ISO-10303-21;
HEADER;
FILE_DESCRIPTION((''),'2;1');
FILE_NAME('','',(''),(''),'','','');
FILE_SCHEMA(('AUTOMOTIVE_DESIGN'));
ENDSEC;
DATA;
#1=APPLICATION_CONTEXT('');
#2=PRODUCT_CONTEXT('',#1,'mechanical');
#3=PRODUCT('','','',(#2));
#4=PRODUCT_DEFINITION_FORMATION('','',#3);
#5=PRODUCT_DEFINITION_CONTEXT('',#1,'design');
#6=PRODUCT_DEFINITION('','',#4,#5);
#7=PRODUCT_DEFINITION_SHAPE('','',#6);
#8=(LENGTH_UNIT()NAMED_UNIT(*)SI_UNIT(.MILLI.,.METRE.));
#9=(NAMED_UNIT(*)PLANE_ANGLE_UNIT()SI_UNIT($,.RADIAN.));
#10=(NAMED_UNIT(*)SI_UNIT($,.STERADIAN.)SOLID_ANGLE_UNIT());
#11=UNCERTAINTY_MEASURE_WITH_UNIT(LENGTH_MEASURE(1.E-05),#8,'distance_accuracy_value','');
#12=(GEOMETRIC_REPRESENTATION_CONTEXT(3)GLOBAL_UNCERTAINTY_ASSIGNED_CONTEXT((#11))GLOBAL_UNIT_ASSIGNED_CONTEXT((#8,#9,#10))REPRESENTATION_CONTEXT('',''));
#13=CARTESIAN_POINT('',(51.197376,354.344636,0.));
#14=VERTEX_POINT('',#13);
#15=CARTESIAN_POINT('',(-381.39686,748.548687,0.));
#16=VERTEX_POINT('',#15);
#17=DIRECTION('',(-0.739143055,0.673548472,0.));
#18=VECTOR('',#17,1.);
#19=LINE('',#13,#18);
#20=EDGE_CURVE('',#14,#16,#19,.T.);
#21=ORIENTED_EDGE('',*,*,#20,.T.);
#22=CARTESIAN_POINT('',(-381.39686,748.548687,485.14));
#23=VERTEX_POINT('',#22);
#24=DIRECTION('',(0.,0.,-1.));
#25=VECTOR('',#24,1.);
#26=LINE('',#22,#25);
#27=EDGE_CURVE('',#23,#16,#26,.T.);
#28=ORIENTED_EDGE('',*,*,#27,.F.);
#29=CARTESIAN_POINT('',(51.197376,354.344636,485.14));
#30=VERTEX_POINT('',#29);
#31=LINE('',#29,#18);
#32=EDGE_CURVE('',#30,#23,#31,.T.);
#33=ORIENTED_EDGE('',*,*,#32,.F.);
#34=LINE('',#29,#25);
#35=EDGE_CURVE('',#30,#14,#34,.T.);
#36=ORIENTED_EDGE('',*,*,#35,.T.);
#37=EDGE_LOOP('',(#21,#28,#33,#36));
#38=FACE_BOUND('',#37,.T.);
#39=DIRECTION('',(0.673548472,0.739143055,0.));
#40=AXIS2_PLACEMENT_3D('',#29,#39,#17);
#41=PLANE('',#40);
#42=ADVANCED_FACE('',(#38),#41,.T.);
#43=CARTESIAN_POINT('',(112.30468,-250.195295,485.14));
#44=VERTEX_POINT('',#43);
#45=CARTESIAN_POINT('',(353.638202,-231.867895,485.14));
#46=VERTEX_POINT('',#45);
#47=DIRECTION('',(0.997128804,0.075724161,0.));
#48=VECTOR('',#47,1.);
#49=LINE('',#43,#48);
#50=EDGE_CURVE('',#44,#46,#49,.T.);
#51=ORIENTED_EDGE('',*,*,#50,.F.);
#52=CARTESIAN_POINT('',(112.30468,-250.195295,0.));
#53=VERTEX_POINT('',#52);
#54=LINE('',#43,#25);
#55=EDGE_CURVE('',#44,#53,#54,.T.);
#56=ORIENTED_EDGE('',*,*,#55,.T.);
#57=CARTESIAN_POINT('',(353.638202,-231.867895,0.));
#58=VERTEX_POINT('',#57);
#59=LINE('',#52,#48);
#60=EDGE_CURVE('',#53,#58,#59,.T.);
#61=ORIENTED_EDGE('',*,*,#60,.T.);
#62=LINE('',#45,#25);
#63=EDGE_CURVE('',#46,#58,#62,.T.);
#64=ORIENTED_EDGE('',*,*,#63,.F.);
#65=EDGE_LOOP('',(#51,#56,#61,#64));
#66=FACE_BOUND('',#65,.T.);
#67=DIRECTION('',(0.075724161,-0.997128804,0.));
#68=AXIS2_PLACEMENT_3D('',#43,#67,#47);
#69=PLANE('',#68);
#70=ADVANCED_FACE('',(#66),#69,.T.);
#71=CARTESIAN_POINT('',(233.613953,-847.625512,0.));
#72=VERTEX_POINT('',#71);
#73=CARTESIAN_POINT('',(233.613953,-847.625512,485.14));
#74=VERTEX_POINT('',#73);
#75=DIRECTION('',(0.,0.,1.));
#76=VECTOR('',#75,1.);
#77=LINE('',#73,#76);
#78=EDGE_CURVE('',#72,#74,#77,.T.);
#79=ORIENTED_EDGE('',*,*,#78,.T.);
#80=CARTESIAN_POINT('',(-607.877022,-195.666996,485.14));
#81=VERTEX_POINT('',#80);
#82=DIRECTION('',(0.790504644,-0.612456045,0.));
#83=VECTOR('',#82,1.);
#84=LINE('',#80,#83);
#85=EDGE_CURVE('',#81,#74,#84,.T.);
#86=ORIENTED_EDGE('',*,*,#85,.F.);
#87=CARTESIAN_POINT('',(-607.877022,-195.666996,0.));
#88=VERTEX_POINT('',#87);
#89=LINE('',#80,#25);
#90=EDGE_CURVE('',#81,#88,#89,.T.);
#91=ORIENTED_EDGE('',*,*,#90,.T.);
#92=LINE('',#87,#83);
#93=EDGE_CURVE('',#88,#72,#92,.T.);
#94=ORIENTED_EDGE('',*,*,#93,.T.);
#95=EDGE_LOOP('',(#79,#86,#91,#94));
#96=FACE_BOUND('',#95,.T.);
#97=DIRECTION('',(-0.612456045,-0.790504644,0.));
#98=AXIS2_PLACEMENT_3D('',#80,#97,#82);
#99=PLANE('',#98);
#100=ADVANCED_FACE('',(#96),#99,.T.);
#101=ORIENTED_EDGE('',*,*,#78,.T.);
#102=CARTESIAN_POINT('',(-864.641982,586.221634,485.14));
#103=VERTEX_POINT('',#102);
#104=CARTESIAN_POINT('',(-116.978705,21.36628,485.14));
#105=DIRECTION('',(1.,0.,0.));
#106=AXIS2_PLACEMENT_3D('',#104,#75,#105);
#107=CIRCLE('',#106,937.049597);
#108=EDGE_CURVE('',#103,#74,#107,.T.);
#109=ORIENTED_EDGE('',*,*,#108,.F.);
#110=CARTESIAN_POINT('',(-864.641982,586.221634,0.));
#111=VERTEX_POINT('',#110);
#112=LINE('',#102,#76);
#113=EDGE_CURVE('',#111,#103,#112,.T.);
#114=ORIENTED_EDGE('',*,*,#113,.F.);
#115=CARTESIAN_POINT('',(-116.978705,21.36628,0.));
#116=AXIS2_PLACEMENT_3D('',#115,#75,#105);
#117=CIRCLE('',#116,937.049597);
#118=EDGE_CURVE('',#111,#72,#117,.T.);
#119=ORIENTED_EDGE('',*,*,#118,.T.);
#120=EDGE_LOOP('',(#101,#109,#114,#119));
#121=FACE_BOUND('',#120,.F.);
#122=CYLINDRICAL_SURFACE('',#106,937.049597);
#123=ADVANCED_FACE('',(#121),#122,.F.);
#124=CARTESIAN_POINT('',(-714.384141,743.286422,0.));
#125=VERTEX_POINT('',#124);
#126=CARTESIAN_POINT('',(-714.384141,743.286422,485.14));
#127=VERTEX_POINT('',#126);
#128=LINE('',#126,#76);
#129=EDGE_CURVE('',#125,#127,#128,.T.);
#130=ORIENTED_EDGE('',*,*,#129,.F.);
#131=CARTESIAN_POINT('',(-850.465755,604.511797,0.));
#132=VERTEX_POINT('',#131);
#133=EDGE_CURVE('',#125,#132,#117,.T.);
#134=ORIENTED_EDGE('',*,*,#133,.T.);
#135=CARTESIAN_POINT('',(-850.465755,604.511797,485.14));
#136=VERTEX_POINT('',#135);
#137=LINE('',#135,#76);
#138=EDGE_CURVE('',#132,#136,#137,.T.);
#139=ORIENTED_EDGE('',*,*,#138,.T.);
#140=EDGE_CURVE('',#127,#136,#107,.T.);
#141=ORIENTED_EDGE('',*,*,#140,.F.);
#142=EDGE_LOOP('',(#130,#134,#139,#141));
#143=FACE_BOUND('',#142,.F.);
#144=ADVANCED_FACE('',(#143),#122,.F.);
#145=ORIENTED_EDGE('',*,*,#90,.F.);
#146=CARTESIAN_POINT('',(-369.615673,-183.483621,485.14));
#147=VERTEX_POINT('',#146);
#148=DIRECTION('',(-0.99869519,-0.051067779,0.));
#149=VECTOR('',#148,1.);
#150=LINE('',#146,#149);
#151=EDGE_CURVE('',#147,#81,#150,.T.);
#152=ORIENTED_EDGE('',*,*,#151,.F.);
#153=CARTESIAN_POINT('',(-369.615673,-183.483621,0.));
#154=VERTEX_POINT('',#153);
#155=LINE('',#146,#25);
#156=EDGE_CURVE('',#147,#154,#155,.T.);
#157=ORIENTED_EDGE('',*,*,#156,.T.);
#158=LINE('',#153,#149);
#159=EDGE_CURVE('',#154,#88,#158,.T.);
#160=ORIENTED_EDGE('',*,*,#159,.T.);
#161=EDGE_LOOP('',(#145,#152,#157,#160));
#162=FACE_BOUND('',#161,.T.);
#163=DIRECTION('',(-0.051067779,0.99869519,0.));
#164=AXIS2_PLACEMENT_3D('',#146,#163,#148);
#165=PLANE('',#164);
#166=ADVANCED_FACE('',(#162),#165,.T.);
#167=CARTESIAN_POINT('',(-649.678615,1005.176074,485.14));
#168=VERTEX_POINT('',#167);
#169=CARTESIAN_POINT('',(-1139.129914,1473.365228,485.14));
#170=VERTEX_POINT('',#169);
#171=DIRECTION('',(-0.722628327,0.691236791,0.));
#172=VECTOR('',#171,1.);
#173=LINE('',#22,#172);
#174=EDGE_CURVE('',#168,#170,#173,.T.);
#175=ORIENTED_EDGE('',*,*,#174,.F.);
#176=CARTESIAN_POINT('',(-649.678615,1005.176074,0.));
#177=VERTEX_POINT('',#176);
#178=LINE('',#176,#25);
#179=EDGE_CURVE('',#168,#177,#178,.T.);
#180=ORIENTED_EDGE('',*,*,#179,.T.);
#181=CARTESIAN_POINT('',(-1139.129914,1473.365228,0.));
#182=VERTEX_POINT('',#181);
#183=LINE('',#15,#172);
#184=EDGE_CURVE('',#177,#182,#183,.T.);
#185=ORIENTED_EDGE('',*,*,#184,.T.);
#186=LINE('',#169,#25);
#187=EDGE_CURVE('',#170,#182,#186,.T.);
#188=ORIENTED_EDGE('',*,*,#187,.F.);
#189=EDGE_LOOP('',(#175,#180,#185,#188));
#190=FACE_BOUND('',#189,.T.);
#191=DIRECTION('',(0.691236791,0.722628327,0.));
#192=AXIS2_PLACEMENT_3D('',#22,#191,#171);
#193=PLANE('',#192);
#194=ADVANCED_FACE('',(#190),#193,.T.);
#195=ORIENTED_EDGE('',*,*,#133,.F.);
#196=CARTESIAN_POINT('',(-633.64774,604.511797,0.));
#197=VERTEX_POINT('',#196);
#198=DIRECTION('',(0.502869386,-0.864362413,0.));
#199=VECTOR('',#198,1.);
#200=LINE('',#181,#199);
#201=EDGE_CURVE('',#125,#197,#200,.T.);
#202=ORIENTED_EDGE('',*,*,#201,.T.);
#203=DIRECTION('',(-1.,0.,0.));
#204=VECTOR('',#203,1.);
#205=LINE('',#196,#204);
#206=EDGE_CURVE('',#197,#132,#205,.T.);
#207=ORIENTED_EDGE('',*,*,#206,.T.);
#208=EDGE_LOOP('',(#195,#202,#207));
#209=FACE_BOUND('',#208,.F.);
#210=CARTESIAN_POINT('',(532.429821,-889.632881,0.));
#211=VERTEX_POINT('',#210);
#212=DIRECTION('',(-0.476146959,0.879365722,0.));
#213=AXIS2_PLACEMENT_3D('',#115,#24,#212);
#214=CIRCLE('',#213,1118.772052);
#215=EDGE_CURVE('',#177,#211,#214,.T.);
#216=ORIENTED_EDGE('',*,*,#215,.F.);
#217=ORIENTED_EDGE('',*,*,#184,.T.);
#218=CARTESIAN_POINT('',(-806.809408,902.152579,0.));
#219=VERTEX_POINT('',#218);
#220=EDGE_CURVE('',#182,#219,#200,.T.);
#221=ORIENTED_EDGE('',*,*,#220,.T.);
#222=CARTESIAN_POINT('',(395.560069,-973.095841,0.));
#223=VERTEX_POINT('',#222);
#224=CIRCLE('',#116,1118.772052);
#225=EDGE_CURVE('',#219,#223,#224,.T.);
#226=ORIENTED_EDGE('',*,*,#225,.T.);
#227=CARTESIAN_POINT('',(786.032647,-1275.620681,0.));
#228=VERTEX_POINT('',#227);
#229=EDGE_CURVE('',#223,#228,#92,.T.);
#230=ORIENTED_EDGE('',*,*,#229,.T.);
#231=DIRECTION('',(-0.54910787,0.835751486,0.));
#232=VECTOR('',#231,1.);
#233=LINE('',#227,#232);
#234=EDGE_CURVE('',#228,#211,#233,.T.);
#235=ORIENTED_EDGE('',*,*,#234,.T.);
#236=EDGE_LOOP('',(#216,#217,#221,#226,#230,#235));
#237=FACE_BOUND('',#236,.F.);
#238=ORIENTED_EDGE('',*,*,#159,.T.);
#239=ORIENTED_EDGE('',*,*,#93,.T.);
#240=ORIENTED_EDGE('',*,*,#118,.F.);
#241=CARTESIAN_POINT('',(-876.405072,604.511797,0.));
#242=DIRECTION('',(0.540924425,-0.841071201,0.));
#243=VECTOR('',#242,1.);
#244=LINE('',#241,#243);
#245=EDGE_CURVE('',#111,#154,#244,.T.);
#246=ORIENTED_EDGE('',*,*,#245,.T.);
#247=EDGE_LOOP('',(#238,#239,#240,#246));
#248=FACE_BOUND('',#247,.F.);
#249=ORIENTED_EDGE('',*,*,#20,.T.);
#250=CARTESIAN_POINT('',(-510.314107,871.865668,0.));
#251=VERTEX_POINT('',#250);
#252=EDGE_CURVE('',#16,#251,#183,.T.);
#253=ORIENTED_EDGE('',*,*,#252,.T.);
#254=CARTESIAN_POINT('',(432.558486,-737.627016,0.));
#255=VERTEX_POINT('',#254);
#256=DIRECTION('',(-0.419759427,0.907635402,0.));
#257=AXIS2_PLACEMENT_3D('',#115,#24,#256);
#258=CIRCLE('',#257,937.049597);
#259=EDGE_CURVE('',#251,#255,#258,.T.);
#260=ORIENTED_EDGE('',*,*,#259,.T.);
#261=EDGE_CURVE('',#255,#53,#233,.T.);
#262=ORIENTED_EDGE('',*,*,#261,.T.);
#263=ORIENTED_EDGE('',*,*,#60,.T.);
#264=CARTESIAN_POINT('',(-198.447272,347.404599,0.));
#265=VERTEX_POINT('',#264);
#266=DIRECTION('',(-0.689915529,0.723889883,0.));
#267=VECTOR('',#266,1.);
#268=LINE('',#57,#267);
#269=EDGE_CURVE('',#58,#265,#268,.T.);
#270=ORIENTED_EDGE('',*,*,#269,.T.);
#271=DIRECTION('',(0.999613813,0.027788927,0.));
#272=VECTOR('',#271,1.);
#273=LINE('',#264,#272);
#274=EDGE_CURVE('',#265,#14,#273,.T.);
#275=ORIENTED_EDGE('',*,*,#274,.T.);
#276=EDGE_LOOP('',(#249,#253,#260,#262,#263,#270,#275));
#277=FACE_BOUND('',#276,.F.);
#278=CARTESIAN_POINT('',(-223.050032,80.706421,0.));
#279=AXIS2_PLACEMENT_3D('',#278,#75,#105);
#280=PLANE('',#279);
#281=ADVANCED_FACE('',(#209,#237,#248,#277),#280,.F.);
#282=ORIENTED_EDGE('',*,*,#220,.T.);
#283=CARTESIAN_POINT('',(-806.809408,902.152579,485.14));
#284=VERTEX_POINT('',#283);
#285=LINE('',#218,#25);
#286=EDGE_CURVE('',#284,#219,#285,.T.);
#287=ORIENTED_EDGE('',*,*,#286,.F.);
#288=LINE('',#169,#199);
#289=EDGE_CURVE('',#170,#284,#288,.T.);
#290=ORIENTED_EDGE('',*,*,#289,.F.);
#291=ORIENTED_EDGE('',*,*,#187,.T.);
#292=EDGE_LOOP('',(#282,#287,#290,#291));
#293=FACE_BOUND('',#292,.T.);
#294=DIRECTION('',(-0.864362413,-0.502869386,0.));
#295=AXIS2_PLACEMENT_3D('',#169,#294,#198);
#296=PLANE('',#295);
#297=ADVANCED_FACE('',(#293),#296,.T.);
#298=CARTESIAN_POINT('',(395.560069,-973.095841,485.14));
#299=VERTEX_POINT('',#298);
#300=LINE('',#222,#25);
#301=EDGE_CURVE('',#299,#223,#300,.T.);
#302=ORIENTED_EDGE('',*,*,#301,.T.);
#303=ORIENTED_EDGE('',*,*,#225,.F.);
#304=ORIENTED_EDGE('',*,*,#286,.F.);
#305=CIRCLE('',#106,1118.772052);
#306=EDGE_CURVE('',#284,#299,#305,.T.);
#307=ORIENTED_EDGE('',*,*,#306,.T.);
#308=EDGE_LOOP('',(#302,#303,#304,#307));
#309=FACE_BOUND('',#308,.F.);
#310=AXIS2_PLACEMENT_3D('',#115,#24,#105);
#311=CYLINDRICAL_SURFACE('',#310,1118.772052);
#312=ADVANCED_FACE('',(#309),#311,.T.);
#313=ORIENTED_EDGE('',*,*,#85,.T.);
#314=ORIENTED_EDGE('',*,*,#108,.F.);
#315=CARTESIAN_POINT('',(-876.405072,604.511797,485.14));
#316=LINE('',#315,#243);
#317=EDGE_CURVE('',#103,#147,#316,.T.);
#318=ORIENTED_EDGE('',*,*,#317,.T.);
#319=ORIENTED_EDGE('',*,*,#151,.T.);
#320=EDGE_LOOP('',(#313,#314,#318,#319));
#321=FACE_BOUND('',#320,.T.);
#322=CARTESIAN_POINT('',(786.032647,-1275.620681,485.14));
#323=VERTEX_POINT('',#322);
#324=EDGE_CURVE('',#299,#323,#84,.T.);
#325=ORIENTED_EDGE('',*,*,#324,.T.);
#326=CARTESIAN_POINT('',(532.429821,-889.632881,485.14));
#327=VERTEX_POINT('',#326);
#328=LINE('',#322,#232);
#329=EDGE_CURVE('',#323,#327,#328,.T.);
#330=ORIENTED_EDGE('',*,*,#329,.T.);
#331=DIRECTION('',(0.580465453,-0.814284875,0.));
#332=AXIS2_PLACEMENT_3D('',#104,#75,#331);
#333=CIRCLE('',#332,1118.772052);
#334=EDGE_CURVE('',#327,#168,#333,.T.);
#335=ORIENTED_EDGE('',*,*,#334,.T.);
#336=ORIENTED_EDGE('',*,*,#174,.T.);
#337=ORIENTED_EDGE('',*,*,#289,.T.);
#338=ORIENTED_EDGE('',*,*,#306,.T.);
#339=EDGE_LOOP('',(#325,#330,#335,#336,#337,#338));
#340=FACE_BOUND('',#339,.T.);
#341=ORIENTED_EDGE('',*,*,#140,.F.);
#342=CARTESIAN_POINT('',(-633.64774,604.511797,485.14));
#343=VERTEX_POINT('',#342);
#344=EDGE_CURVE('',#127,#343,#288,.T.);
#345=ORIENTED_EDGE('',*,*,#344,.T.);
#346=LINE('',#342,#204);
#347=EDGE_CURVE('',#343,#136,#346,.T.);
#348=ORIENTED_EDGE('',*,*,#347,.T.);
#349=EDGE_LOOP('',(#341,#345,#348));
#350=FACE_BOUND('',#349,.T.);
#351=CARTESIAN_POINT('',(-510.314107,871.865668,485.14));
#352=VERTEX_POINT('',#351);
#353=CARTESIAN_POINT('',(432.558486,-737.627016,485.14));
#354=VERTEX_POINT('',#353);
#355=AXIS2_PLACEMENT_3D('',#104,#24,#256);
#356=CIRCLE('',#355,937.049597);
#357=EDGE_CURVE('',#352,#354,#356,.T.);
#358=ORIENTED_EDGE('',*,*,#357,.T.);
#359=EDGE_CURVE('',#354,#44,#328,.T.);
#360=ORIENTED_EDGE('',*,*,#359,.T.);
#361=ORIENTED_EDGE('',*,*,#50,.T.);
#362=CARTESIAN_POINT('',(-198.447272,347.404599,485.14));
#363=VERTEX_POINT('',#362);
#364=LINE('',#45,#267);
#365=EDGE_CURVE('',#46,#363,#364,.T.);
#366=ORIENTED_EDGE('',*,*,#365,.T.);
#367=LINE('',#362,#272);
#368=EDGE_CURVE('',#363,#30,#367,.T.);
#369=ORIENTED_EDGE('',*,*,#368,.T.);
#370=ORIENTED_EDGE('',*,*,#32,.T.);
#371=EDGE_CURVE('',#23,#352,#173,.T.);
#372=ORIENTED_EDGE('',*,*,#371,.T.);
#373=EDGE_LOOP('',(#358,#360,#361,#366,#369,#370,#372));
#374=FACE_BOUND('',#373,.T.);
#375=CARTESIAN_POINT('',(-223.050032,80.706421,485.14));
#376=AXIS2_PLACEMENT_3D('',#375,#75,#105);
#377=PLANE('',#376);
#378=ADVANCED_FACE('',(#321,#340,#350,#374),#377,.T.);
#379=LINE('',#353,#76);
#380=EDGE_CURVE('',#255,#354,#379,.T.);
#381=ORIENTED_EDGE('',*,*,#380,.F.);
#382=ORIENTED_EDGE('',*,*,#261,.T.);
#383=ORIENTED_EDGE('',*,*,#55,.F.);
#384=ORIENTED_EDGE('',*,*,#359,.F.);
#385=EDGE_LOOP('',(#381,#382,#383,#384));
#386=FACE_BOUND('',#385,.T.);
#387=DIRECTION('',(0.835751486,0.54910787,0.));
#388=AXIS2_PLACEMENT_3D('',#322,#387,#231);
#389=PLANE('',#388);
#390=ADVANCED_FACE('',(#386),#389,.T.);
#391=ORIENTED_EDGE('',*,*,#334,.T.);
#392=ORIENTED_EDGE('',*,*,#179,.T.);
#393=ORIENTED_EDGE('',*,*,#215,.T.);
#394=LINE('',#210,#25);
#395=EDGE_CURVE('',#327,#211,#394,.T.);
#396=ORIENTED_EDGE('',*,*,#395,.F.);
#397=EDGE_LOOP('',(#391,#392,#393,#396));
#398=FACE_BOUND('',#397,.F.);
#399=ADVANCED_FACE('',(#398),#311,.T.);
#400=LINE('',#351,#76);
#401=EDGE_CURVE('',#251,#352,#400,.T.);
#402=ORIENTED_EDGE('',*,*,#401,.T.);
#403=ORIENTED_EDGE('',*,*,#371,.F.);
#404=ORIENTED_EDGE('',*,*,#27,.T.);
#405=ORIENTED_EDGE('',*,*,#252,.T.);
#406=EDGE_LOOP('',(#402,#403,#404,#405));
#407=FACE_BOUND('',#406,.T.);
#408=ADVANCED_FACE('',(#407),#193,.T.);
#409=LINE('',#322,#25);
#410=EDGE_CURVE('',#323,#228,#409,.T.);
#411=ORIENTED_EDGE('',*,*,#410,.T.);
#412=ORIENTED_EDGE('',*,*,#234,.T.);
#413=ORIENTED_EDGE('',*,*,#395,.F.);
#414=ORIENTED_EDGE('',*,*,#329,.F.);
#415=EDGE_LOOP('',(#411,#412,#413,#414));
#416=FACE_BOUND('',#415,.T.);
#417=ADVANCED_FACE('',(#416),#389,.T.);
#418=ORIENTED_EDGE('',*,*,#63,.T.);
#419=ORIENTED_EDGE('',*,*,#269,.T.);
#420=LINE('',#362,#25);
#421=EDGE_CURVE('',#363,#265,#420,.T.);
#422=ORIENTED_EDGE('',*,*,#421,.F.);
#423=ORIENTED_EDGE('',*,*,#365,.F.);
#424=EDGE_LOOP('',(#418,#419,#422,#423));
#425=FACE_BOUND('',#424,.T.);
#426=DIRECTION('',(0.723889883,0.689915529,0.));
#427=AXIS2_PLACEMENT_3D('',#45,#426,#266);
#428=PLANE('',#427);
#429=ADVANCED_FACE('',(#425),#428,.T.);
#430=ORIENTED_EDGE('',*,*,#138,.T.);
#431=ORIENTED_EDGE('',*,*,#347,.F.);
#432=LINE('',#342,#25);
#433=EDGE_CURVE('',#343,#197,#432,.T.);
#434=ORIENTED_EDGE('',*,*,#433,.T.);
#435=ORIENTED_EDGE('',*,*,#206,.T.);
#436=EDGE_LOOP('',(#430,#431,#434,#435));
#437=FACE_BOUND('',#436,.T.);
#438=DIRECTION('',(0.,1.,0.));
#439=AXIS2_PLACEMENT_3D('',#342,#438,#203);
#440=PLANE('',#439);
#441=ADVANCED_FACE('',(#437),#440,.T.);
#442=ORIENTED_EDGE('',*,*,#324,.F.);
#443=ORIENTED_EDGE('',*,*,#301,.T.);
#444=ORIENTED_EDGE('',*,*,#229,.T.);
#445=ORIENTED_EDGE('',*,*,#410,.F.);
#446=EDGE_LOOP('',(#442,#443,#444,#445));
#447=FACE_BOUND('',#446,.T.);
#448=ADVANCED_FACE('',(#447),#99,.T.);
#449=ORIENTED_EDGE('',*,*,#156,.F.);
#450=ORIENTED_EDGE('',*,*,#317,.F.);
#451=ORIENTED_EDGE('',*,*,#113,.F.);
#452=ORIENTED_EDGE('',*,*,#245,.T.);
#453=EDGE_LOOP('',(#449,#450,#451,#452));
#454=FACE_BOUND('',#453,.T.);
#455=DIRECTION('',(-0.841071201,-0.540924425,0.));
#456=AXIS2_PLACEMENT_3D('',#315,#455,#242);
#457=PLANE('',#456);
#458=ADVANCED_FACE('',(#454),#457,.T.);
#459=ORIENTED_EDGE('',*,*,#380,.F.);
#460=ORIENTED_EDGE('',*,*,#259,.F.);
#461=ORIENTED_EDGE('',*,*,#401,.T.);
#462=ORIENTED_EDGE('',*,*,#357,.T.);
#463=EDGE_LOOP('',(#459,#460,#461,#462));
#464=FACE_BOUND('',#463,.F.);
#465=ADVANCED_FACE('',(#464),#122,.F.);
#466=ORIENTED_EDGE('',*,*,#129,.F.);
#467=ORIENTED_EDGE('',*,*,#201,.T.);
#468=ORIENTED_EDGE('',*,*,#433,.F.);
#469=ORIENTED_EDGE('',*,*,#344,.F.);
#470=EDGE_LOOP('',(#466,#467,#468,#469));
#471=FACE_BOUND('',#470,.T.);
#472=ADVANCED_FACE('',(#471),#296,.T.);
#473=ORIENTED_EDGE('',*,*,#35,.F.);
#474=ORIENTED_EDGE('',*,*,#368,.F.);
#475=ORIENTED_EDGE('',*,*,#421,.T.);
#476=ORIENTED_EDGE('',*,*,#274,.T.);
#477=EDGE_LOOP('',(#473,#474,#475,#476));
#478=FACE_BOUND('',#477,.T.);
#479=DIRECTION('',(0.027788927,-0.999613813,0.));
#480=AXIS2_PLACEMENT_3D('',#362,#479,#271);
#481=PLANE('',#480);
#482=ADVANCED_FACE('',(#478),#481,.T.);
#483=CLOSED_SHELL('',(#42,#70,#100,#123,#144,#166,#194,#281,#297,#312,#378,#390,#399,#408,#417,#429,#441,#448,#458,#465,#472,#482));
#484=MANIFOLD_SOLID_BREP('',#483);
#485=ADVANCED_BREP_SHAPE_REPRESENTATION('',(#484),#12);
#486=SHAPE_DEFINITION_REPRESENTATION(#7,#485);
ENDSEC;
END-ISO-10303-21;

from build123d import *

# Parameters (mm, degrees)
F0_R     = 1118.772052
F1_DEPTH = 485.14
F2_R     = 937.049597
F3_DEPTH = 485.141
F5_DEPTH = 485.14


with BuildPart() as f1:
    # F0 (on Top) → F1 (new body)
    with BuildSketch(Plane.XY):
        with Locations((-116.978705, 21.36628)):
            Circle(F0_R)
    extrude(amount=F1_DEPTH)

    # F2 (on face) → F3 (cut, through all)
    with BuildSketch(Plane.XY.offset(485.14)):
        with Locations((-116.978705, 21.36628)):
            Circle(F2_R)
    extrude(amount=-F3_DEPTH, mode=Mode.SUBTRACT)

    # F4 (on face) → F5 (join)
    with BuildSketch(Plane.XY.offset(485.14)):
        Polygon((-381.39686, 748.548687), (-1139.129914, 1473.365228), (-633.64774, 604.511797), (-876.405072, 604.511797), (-369.615673, -183.483621), (-607.877022, -195.666996), (786.032647, -1275.620681), (112.30468, -250.195295), (353.638202, -231.867895), (-198.447272, 347.404599), (51.197376, 354.344636), align=None)
    extrude(amount=-F5_DEPTH)


solid = f1.part
